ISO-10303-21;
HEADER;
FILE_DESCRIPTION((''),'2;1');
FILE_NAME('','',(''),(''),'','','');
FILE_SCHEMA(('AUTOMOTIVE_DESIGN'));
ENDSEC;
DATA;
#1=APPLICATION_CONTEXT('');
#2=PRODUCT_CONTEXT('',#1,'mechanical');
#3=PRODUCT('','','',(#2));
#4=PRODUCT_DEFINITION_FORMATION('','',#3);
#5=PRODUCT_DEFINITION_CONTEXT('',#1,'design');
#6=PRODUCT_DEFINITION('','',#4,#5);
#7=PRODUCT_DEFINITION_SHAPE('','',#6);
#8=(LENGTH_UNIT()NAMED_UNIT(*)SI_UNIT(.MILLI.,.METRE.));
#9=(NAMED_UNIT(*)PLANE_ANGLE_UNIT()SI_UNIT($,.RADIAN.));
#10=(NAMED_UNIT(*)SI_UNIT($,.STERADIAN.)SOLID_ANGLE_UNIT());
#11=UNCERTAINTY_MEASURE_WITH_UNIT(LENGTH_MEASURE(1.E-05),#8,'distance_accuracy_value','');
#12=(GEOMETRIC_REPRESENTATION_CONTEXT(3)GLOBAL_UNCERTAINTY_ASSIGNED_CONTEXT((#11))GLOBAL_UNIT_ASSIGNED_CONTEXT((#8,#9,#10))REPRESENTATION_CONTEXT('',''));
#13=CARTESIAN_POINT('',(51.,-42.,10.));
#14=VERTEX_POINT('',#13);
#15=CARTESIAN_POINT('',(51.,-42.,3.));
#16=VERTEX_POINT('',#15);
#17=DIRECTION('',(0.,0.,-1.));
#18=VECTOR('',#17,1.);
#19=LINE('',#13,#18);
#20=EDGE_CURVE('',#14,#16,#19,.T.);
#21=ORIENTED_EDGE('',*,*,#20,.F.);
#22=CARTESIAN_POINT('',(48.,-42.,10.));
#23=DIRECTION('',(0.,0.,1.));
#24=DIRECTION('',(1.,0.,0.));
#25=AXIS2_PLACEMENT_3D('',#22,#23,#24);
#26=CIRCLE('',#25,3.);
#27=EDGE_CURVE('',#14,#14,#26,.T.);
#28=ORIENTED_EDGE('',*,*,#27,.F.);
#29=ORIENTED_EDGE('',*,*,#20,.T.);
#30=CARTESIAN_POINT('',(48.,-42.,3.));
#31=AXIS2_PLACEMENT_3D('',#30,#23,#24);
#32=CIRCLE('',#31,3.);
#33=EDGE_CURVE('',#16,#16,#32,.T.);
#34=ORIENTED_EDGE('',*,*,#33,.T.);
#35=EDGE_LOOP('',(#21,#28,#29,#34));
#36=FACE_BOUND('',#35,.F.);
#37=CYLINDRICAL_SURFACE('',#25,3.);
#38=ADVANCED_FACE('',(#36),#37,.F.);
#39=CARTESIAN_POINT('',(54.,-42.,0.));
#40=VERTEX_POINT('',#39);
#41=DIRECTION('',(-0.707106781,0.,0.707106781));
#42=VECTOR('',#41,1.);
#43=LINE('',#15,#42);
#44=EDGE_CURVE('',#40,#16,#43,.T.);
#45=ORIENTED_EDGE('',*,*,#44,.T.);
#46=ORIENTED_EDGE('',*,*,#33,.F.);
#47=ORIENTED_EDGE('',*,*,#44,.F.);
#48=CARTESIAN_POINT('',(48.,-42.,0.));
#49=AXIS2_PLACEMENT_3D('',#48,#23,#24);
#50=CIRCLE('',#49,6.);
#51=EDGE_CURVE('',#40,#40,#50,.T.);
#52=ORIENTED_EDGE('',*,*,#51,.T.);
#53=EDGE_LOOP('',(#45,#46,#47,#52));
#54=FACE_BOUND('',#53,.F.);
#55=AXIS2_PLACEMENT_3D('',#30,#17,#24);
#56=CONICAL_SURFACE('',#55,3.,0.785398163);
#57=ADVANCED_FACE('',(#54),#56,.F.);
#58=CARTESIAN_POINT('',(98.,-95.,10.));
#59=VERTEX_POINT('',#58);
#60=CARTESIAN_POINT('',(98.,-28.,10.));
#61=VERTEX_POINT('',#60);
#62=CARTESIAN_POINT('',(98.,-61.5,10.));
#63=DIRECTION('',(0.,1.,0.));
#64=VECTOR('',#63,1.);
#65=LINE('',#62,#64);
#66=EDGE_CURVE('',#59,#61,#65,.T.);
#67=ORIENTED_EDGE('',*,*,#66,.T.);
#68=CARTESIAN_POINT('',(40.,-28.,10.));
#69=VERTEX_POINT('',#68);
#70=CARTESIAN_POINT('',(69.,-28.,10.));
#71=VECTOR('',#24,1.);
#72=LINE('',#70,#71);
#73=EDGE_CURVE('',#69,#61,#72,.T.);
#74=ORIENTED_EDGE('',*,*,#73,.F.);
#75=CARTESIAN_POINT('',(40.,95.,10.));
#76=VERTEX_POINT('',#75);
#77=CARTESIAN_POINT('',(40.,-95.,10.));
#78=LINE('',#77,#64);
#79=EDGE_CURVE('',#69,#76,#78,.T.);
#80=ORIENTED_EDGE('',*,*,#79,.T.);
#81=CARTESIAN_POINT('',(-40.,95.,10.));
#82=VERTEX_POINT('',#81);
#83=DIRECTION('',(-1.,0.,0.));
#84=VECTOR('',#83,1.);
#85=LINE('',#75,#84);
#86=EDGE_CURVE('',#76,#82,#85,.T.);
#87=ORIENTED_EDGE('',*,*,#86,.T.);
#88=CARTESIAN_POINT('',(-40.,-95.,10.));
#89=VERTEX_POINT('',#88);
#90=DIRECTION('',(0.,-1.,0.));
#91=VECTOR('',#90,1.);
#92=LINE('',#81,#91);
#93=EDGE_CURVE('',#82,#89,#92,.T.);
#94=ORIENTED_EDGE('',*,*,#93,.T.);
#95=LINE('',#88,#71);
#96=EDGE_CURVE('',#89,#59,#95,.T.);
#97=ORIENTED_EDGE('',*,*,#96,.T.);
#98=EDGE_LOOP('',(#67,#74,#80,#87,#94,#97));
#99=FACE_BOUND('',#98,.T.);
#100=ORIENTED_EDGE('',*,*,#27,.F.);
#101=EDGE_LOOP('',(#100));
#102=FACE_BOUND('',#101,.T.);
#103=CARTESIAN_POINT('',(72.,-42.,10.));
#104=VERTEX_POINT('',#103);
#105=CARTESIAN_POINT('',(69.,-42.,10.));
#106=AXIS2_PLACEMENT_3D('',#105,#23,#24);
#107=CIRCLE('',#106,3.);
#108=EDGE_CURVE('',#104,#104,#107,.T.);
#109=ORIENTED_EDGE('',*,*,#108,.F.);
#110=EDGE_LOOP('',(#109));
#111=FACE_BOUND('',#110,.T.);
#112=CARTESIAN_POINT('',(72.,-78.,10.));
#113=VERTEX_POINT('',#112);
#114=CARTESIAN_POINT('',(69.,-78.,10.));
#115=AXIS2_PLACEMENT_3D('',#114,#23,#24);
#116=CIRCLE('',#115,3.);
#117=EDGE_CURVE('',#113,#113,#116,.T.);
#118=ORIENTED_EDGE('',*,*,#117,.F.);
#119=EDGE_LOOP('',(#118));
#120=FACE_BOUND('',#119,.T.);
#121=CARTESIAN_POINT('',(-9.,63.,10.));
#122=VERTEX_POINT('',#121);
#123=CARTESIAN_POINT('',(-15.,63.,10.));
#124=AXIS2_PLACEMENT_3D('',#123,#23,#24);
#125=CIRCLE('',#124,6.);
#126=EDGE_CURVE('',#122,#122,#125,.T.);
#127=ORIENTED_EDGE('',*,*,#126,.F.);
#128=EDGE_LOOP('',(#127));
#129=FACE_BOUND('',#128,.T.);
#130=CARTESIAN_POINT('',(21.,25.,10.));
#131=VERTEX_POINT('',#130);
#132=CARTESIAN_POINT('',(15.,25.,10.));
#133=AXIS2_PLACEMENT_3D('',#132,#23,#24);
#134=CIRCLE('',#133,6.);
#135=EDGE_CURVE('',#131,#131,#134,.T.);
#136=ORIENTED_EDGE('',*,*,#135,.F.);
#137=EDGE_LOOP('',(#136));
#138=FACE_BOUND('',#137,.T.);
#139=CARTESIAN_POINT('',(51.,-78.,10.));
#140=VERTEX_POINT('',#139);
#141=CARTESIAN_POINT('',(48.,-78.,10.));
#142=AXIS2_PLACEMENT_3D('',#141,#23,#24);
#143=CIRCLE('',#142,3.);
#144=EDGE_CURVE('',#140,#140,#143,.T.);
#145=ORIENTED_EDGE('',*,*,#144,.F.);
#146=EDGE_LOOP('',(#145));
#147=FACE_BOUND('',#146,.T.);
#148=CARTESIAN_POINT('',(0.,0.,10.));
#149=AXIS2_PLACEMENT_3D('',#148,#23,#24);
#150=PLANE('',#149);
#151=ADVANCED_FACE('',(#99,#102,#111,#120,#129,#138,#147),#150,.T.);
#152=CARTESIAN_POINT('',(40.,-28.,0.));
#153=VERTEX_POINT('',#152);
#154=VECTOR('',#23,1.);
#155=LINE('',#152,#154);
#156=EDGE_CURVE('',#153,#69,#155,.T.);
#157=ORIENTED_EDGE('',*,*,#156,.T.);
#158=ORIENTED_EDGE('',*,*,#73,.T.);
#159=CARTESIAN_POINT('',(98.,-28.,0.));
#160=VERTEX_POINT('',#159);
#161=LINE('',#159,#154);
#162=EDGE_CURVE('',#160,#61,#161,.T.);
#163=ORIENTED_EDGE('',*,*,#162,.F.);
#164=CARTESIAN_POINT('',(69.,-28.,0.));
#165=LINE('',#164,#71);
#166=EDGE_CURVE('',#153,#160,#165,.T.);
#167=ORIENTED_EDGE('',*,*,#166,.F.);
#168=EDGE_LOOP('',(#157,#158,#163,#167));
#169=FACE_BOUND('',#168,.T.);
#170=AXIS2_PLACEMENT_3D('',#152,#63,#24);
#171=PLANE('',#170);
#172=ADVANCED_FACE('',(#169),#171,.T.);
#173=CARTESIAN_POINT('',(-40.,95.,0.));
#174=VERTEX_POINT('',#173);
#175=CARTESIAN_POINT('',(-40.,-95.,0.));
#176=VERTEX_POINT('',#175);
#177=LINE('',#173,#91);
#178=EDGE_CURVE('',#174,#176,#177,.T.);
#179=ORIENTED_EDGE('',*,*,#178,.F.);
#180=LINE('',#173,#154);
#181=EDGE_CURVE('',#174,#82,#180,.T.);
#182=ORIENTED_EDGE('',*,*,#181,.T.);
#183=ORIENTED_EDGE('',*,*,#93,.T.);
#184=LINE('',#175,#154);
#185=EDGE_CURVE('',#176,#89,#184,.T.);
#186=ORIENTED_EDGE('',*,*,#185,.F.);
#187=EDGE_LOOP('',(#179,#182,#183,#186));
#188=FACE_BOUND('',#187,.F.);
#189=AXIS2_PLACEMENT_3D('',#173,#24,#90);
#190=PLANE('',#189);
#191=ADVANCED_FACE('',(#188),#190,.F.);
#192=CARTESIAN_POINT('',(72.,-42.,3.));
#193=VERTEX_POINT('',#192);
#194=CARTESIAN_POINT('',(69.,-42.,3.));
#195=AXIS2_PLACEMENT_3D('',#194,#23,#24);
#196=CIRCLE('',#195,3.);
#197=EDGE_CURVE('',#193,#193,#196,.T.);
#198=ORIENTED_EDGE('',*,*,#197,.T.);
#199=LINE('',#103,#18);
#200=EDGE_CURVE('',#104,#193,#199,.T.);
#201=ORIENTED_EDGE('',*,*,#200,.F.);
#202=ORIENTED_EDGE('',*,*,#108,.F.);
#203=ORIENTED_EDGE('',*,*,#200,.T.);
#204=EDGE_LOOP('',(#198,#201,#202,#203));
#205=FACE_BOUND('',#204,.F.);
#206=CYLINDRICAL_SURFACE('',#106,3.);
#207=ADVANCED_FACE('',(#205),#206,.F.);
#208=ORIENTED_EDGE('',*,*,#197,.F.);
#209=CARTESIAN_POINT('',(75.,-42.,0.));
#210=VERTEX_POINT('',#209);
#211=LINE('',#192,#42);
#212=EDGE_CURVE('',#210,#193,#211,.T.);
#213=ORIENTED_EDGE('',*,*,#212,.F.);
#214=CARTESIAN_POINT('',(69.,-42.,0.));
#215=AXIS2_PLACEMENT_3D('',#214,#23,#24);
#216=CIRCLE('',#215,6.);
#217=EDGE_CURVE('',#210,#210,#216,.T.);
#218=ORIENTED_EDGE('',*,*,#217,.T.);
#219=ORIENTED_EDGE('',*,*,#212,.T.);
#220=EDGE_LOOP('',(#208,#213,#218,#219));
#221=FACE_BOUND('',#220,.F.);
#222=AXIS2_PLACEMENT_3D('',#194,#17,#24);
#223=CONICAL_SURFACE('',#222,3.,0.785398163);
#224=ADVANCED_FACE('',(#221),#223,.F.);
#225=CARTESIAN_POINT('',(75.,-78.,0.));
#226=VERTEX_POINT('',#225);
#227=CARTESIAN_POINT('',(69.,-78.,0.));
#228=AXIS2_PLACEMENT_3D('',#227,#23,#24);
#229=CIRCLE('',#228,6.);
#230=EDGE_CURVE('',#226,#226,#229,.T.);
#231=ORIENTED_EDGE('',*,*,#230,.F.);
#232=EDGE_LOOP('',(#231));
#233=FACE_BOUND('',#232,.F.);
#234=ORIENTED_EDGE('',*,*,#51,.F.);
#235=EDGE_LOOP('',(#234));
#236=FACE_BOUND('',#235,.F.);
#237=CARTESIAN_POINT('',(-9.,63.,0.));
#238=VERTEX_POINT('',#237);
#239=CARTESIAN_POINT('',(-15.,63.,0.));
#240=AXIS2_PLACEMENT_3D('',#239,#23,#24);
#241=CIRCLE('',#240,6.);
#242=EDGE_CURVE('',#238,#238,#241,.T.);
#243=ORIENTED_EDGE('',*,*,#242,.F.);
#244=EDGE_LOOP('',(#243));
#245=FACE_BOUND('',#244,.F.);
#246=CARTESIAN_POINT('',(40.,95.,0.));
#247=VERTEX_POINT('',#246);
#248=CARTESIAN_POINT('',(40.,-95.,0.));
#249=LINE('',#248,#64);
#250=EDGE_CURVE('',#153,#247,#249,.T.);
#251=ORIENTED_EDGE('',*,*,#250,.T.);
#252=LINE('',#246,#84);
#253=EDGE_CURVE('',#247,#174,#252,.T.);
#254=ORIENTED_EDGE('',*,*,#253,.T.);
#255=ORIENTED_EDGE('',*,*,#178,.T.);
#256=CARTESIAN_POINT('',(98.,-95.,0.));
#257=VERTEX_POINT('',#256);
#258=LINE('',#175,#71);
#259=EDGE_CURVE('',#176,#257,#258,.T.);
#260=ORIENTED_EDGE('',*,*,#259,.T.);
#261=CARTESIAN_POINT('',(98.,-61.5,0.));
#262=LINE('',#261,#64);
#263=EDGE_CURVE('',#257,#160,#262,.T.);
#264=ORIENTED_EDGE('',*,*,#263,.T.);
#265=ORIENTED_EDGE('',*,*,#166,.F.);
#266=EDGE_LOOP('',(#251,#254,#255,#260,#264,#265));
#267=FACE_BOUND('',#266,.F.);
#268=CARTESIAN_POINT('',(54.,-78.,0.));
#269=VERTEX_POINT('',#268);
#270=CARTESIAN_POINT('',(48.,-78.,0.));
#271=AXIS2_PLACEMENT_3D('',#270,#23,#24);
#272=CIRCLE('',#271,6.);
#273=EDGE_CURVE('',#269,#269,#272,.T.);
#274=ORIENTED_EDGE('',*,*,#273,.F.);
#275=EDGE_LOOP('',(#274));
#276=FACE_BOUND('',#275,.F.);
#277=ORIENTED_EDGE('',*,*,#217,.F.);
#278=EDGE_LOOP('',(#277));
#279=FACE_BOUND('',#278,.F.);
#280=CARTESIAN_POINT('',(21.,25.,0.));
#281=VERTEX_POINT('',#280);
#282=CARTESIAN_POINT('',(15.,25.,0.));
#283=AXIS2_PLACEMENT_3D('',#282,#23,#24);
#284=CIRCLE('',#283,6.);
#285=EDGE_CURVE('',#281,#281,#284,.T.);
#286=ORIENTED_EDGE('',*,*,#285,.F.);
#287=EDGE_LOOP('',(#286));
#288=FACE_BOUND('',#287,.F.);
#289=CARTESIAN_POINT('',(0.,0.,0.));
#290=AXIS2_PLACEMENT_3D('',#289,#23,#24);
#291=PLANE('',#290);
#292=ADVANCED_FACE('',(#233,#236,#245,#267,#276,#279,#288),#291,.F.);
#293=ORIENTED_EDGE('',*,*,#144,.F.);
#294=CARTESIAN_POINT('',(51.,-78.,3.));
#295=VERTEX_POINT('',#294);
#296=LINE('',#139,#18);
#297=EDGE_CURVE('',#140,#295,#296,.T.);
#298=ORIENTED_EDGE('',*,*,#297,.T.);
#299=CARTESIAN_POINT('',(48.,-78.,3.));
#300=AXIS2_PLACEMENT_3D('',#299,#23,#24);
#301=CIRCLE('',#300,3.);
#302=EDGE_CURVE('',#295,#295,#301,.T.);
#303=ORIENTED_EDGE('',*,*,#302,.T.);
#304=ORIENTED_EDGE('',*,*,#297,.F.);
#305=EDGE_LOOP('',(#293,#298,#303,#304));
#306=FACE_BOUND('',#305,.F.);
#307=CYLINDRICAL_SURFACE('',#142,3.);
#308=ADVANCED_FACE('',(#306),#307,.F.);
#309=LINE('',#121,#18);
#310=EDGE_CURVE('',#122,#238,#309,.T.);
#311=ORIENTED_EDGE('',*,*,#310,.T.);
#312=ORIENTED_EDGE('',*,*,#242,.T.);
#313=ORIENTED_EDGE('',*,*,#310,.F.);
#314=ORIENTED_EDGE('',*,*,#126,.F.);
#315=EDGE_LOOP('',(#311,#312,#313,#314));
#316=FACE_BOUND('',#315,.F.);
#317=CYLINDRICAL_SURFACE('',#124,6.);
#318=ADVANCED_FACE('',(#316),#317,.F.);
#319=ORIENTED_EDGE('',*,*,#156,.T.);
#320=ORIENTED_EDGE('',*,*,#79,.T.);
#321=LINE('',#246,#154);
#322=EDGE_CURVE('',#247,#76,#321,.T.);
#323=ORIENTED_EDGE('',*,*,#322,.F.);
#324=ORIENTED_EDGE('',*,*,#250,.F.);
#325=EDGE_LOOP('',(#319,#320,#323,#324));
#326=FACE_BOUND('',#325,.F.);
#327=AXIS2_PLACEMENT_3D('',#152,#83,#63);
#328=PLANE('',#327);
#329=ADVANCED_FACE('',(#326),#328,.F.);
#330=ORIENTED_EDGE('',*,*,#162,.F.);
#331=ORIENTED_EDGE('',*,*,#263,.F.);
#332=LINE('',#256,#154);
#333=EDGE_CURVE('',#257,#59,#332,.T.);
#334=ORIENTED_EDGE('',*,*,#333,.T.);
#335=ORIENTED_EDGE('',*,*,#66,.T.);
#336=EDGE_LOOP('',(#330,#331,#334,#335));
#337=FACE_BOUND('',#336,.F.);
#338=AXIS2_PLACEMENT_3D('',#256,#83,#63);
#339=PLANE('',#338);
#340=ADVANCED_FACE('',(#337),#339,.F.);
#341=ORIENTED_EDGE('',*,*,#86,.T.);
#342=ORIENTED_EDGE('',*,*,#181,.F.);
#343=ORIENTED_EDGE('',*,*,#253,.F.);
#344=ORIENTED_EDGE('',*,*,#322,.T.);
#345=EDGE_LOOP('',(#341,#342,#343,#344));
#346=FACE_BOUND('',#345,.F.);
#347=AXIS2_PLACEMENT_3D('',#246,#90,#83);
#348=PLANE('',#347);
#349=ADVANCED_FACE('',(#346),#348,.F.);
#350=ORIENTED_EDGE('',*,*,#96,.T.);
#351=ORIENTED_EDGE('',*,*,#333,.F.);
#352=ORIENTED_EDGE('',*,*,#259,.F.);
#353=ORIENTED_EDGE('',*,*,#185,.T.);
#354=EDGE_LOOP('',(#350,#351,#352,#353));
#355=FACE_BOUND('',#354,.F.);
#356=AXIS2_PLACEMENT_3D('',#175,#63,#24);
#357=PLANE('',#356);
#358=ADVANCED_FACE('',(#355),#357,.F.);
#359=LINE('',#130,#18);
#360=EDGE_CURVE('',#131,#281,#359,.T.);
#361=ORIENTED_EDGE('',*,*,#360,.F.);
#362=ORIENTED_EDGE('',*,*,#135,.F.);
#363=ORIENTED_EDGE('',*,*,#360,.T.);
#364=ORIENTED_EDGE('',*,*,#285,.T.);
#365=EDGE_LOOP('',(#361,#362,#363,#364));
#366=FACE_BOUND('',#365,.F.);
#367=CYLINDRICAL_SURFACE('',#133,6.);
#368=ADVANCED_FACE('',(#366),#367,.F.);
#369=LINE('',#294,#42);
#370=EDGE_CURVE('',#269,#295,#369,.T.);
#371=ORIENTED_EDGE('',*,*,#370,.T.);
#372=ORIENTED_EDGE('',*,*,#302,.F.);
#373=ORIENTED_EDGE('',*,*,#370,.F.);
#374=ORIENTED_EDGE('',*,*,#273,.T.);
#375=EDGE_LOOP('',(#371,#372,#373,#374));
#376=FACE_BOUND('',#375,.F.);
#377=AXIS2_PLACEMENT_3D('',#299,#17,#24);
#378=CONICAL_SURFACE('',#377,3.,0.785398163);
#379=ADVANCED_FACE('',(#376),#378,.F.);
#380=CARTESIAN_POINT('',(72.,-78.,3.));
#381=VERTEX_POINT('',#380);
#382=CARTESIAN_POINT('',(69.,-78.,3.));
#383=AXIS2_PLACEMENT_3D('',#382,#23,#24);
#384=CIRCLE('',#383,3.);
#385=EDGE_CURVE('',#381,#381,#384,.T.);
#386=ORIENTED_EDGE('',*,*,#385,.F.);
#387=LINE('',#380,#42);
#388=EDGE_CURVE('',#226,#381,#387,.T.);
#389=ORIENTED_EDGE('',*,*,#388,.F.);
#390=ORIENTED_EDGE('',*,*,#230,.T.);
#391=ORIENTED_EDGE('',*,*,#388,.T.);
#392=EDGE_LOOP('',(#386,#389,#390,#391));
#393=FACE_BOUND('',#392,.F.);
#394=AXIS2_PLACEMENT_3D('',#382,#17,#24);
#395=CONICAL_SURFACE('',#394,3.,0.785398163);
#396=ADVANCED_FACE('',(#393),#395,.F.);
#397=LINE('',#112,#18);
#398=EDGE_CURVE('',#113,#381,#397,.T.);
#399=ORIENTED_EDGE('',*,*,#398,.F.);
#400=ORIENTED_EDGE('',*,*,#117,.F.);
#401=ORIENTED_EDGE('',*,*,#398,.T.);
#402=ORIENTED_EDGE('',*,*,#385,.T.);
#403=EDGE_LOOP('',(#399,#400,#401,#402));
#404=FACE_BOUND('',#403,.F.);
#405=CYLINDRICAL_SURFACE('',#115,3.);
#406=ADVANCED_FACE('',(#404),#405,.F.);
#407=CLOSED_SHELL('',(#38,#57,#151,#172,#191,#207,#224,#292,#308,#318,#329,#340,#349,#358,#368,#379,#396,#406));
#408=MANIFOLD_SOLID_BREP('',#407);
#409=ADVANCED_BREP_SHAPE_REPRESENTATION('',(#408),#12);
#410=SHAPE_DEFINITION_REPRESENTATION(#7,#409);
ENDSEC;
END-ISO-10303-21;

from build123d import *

# Parameters (mm, degrees)
F0_W     = 58
F0_H     = 67
F1_DEPTH = 10
F2_R     = 3
F2_R_2   = 6
F3_DEPTH = 25
F4_SIZE  = 3


with BuildPart() as f1:
    # F0 (on Top) → F1 (new body)
    with BuildSketch(Plane.XY):
        Polygon((-40, -95), (40, -95), (40, -28), (40, 95), (-40, 95), align=None)
        with Locations((69, -61.5)):
            Rectangle(F0_W, F0_H)
    extrude(amount=F1_DEPTH)

    # F2 (on face) → F3 (cut)
    with BuildSketch(Plane.XY.offset(10)):
        with Locations((48, -78)):
            Circle(F2_R)
        with Locations((48, -42)):
            Circle(F2_R)
        with Locations((69, -78)):
            Circle(F2_R)
        with Locations((69, -42)):
            Circle(F2_R)
        with Locations((-15, 63)):
            Circle(F2_R_2)
        with Locations((15, 25)):
            Circle(F2_R_2)
    extrude(amount=-F3_DEPTH, mode=Mode.SUBTRACT)

    # F4
    f4_edges = [f1.edges().sort_by_distance(p)[0] for p in [
        (66, -78, 0),
        (45, -78, 0),
        (45, -42, 0),
        (66, -42, 0),
    ]]
    chamfer(f4_edges, length=F4_SIZE)


solid = f1.part
